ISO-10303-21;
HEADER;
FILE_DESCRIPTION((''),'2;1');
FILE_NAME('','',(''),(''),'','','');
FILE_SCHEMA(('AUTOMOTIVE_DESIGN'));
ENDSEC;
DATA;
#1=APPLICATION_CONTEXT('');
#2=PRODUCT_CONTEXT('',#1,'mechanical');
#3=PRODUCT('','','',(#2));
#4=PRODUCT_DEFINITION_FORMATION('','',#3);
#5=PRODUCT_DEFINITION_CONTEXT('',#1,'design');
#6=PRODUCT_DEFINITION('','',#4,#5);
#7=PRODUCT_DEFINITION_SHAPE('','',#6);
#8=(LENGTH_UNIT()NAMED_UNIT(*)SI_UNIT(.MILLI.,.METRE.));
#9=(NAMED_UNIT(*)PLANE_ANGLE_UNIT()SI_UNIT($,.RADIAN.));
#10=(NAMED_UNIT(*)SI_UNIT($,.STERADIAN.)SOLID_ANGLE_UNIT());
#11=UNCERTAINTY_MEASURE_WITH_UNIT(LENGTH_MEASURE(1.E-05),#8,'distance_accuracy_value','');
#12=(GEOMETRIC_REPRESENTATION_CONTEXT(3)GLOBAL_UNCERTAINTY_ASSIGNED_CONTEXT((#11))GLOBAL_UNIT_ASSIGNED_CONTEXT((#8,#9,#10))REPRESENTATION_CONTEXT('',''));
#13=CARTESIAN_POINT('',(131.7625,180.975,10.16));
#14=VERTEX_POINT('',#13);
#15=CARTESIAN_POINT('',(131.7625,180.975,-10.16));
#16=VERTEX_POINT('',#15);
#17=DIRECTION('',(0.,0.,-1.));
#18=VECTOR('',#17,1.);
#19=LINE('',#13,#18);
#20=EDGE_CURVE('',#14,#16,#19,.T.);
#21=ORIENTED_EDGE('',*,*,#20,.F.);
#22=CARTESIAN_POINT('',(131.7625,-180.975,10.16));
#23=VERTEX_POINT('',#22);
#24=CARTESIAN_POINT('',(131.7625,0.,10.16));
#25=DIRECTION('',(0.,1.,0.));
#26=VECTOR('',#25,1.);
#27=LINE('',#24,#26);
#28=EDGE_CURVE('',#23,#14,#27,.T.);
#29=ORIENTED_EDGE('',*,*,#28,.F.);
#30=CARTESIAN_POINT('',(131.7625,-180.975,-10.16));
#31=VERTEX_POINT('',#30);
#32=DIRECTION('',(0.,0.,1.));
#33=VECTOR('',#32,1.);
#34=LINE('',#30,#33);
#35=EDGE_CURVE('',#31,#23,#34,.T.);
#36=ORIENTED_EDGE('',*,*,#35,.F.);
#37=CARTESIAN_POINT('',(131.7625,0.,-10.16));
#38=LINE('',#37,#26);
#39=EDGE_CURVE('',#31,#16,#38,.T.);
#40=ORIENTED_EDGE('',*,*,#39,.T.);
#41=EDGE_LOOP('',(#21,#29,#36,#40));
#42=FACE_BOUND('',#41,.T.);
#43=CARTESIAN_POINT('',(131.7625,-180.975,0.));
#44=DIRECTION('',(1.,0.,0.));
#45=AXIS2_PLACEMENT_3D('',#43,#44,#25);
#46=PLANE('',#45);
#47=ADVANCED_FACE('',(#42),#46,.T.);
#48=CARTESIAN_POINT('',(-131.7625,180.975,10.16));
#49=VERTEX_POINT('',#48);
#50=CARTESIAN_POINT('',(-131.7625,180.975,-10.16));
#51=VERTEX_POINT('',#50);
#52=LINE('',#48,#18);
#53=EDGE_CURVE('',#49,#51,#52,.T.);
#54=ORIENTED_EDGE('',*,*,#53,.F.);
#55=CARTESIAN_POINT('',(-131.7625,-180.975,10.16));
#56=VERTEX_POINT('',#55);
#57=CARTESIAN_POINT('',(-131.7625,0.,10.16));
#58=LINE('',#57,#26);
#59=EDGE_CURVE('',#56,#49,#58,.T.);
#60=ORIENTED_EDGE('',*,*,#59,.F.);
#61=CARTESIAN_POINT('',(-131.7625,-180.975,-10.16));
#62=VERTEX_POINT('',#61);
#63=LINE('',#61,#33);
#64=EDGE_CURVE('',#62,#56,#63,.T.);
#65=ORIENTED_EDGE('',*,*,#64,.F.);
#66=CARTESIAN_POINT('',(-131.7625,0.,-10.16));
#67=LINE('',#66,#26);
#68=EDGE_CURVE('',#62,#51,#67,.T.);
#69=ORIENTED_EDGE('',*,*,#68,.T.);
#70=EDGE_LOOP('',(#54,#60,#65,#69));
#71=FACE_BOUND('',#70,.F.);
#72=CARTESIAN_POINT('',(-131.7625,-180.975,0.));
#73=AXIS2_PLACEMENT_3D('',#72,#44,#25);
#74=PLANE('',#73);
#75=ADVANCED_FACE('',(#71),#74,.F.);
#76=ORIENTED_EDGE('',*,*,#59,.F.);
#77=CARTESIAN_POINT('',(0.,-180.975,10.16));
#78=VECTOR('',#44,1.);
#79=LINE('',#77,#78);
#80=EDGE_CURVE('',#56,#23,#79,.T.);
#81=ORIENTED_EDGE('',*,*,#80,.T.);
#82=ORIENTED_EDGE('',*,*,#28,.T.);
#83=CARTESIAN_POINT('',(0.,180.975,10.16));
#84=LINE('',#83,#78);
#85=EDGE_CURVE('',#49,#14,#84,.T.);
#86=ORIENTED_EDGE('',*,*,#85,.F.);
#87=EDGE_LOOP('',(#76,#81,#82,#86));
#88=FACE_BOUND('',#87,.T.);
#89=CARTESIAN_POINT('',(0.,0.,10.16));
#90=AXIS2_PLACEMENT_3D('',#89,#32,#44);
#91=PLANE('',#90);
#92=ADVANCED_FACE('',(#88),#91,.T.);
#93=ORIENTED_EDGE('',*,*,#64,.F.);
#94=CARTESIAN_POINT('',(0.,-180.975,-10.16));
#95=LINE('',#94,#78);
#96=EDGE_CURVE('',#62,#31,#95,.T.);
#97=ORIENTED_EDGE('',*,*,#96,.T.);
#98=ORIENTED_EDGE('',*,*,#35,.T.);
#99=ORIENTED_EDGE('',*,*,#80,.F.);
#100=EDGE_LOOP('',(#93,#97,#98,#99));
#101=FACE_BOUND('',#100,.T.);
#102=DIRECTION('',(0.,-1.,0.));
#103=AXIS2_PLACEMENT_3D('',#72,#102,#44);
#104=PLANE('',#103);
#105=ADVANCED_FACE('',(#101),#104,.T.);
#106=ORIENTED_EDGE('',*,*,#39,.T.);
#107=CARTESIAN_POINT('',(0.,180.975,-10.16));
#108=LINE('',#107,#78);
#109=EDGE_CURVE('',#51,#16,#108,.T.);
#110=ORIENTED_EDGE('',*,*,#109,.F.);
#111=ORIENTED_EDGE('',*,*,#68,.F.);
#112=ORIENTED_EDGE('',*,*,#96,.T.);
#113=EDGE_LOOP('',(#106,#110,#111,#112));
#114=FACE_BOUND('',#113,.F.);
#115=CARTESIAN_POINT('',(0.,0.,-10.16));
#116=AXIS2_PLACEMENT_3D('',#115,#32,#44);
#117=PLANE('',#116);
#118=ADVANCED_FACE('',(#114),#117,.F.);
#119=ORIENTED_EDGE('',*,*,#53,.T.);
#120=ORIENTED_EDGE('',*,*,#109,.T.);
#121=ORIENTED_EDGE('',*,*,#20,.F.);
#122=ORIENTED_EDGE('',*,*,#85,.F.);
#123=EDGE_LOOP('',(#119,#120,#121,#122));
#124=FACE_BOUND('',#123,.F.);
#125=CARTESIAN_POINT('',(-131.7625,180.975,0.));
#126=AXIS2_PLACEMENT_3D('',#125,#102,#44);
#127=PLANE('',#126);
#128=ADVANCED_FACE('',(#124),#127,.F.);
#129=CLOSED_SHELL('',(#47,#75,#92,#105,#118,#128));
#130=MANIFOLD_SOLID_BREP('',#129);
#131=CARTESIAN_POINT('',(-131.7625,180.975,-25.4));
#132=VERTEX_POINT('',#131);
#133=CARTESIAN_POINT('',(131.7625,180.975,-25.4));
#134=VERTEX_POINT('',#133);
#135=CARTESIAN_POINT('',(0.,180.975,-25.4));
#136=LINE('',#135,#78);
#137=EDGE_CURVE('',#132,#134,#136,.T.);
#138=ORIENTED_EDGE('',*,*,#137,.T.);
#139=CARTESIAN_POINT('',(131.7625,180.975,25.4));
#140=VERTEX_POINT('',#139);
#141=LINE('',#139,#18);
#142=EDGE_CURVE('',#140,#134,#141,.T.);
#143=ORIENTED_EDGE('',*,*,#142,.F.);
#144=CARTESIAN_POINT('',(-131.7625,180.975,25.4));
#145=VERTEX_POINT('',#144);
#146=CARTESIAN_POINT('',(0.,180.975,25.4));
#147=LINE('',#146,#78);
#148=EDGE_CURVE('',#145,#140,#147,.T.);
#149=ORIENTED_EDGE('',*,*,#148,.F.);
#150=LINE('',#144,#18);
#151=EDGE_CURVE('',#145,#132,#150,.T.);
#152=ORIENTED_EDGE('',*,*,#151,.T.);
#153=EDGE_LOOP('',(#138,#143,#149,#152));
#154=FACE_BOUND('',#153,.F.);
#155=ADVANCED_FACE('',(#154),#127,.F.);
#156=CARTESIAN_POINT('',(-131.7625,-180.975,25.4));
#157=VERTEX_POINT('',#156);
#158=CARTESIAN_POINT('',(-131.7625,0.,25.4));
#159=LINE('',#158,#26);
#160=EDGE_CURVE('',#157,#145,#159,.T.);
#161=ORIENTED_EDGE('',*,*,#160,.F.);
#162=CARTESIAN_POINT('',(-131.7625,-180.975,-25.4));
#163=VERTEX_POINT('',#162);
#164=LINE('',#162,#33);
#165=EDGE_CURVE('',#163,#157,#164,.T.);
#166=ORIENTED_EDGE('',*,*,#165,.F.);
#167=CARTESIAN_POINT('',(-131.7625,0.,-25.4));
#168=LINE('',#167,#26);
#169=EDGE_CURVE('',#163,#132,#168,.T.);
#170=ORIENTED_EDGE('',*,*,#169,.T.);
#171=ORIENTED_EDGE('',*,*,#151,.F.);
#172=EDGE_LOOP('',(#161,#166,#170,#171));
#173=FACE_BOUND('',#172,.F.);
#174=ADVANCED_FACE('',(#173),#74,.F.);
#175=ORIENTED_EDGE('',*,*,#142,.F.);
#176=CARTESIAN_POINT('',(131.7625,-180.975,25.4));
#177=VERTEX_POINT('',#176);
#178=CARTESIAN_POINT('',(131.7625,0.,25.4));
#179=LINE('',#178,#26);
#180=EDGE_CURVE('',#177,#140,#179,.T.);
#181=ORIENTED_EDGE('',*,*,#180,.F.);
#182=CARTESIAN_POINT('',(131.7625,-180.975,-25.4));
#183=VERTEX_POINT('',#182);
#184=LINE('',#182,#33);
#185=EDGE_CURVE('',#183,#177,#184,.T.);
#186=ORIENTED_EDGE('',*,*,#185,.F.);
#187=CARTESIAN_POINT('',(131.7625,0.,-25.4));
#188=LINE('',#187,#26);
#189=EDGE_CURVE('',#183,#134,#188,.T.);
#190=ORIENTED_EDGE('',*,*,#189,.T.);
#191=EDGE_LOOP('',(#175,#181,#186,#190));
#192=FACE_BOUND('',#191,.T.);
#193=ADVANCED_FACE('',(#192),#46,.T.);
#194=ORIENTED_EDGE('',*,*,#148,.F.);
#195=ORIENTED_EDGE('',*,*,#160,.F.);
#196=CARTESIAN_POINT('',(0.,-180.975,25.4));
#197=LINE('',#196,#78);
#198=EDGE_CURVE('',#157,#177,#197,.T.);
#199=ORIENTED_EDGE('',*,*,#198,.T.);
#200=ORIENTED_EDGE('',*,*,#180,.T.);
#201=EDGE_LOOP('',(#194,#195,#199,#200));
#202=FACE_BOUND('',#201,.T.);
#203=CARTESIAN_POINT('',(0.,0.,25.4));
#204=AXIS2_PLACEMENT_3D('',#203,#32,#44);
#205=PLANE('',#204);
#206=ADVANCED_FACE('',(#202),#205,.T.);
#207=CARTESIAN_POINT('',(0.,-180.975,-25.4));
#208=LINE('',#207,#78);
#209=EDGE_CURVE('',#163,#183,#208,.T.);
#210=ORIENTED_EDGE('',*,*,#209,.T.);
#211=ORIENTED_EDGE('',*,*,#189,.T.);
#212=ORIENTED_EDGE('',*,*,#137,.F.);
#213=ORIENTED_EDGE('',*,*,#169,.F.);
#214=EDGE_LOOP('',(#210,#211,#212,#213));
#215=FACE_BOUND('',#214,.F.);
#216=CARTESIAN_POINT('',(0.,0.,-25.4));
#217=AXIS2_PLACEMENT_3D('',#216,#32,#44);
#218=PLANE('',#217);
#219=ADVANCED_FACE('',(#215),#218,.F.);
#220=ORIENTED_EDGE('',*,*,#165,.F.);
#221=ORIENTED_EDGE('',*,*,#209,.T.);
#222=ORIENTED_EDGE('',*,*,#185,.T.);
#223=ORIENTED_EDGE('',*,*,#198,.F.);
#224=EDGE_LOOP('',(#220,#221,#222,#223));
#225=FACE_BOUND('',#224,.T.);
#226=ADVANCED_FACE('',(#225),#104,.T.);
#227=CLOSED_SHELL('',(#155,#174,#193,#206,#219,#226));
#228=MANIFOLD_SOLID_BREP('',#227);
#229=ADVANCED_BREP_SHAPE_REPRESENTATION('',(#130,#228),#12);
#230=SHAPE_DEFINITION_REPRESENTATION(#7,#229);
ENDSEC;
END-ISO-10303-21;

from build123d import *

# Parameters (mm, degrees)
F0_W          = 263.525
F0_H          = 361.95
F1_DEPTH      = 10.16
F1_DEPTH_BACK = 10.16
F2_DEPTH      = 25.4
F2_DEPTH_BACK = 25.4


with BuildPart() as f1:
    # F0 (on Top) → F1 (new body, two sides)
    with BuildSketch(Plane.XY) as f1_sk:
        Rectangle(F0_W, F0_H)
    extrude(amount=F1_DEPTH)
    extrude(f1_sk.sketch, amount=-F1_DEPTH_BACK)


with BuildPart() as f2:
    # F0 (on Top) → F2 (new body, two sides)
    with BuildSketch(Plane.XY) as f2_sk:
        Rectangle(F0_W, F0_H)
    extrude(amount=F2_DEPTH)
    extrude(f2_sk.sketch, amount=-F2_DEPTH_BACK)


solid = Compound([f1.part, f2.part])
